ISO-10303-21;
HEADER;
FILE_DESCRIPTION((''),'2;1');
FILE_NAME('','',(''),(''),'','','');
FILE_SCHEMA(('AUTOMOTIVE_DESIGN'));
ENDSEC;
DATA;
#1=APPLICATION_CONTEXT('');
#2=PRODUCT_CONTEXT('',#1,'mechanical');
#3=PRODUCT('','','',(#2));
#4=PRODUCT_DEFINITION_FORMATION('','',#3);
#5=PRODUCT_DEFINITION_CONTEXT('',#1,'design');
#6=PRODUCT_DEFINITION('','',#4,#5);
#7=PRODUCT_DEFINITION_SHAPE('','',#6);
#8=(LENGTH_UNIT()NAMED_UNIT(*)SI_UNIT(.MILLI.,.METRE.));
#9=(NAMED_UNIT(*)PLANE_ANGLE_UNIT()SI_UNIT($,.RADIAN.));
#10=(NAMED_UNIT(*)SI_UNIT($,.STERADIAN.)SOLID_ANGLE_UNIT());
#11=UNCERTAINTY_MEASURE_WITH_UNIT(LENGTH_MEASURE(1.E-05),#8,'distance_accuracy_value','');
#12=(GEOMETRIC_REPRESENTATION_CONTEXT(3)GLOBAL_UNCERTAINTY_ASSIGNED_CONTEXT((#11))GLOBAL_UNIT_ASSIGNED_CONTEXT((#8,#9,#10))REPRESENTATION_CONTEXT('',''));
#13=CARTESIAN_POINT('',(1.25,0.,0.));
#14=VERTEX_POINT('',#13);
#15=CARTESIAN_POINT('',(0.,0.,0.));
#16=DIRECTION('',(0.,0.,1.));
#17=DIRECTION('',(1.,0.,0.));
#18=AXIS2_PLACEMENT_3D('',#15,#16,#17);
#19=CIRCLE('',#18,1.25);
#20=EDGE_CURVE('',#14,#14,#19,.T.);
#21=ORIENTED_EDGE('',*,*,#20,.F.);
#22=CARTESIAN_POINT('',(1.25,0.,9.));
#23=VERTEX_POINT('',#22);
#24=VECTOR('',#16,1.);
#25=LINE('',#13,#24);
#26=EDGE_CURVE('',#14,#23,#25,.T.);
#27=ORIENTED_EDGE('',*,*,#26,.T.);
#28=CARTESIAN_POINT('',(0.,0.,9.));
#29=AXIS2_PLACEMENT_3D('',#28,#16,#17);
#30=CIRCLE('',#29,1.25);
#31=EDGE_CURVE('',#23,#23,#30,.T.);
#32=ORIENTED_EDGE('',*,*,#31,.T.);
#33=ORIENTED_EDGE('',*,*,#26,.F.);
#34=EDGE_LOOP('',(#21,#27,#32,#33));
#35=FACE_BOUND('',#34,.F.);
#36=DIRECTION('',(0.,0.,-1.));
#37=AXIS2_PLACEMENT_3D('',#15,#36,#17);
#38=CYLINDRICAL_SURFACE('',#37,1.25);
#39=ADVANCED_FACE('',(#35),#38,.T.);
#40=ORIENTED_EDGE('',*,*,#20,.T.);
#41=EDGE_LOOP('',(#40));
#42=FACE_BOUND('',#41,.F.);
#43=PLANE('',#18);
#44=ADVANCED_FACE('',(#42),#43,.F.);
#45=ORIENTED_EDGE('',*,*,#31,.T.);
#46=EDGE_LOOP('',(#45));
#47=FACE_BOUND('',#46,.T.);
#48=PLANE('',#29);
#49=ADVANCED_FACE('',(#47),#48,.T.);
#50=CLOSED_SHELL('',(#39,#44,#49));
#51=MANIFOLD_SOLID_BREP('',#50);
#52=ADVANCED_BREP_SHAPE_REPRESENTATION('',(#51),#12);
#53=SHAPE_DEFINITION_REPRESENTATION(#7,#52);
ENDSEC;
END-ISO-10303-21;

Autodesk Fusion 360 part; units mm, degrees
sketch "Sketch1" plane through (0, 0, 0) normal (0, 0, 1) x (1, 0, 0)
  circle A0 centre (0, 0) radius 1.25
  dimension "d1" = 2.5
extrude "Extrude1" add sketch "Sketch1" along normal blind 9
